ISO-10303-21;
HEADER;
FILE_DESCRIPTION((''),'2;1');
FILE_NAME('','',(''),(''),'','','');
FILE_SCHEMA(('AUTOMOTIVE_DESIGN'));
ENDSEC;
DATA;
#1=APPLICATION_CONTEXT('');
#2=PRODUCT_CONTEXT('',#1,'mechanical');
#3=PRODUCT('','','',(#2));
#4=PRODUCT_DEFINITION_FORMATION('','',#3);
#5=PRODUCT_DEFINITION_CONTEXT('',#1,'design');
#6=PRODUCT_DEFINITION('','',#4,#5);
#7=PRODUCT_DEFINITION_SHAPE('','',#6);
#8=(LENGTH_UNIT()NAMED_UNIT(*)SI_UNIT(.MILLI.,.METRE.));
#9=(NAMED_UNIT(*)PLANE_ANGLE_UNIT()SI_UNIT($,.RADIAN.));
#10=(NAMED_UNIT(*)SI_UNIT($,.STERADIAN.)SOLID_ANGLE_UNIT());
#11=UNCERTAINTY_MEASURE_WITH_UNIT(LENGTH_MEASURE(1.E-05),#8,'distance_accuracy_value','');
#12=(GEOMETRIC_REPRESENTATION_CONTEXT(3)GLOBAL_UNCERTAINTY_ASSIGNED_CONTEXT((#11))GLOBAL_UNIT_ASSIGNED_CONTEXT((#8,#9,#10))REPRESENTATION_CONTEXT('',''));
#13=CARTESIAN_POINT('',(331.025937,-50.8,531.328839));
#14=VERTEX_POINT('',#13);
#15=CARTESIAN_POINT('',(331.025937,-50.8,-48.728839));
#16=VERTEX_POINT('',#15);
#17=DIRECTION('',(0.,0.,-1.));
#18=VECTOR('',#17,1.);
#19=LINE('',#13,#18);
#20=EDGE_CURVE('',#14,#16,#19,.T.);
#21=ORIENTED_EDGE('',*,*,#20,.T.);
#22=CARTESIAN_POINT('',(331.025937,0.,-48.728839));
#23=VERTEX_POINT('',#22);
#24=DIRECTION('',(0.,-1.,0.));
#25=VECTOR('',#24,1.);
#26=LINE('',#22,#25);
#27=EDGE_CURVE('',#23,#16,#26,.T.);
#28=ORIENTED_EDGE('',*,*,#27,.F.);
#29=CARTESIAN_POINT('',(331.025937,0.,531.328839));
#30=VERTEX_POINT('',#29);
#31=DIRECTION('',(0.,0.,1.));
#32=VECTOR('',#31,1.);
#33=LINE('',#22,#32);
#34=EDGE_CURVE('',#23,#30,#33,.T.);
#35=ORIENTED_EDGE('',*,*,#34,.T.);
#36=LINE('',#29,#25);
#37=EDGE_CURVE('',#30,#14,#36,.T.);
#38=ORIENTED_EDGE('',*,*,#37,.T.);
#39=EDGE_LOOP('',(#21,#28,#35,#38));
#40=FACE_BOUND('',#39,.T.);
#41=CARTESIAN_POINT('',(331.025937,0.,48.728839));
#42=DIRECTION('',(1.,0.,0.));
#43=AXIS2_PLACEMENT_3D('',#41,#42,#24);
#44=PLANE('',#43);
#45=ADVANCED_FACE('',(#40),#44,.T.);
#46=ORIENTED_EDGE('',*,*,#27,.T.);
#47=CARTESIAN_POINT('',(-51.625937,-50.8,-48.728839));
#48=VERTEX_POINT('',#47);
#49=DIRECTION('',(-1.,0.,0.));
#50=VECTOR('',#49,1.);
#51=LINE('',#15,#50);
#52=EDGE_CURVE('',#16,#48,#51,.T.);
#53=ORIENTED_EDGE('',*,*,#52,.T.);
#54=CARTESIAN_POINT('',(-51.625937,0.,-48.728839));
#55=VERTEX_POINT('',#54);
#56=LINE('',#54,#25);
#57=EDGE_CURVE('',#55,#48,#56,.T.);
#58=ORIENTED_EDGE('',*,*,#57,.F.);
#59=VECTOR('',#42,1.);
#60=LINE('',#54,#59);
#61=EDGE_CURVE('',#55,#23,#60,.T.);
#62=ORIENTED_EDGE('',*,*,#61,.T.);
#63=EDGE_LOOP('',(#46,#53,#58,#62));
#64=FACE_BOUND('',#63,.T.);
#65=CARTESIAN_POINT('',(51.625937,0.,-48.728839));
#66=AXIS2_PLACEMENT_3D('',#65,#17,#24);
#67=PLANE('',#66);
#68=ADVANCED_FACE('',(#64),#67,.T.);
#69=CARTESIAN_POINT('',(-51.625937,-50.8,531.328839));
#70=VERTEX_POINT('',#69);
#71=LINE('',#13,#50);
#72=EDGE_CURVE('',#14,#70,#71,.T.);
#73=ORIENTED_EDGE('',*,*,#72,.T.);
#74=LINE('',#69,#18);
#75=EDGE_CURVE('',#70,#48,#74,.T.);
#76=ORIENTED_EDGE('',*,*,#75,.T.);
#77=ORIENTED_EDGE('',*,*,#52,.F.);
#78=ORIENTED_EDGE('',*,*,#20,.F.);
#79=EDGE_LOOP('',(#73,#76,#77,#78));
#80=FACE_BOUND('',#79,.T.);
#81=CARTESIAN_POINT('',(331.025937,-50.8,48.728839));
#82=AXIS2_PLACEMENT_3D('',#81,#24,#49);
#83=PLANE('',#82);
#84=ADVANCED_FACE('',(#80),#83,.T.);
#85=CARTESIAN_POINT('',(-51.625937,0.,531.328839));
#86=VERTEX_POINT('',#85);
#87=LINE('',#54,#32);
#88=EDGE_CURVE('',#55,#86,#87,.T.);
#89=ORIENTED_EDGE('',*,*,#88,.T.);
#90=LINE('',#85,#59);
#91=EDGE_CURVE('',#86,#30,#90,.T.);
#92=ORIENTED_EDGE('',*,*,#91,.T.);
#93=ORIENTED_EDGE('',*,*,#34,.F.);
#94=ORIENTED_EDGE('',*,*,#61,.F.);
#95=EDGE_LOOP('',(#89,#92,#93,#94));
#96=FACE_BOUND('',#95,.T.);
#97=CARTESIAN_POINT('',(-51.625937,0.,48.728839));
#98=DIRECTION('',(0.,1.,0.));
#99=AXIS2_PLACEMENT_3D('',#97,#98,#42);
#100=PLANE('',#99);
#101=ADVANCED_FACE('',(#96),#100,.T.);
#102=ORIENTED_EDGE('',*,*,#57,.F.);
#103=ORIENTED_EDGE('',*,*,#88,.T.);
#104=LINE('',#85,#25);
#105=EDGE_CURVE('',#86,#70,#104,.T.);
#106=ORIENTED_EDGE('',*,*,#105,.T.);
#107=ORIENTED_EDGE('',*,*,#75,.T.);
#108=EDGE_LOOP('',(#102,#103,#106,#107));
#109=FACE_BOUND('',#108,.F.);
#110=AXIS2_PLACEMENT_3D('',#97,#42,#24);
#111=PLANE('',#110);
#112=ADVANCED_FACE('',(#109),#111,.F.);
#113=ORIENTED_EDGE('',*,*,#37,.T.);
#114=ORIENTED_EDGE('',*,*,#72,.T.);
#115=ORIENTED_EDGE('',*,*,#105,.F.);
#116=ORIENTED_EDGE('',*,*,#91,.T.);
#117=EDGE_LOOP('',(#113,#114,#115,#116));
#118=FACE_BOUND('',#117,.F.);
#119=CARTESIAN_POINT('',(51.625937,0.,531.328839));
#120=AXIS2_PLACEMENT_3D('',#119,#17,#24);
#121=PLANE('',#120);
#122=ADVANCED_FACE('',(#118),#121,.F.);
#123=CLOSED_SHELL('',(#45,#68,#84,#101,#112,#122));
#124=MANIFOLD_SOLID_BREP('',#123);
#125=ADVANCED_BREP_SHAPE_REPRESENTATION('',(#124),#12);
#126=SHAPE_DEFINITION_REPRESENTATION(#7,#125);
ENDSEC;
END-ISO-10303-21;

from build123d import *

# Parameters (mm, degrees)
F0_W     = 103.2518744469
F0_H     = 97.4576771259
F1_DEPTH = 50.8
F2_DEPTH = 279.4
F3_DEPTH = 482.6


with BuildPart() as f1:
    # F0 (on Front) → F1 (new body)
    with BuildSketch(Plane.XZ):
        Rectangle(F0_W, F0_H)
    extrude(amount=F1_DEPTH)

    # F2 (add): a face of the model
    f2_faces = [f1.faces().sort_by_distance(p)[0] for p in [
        (51.6259372234, -25.4, 0),
    ]]
    extrude(f2_faces, amount=F2_DEPTH)

    # F3 (add): a face of the model
    f3_faces = [f1.faces().sort_by_distance(p)[0] for p in [
        (139.7, -25.4, 48.728838563),
    ]]
    extrude(f3_faces, amount=F3_DEPTH)


solid = f1.part
